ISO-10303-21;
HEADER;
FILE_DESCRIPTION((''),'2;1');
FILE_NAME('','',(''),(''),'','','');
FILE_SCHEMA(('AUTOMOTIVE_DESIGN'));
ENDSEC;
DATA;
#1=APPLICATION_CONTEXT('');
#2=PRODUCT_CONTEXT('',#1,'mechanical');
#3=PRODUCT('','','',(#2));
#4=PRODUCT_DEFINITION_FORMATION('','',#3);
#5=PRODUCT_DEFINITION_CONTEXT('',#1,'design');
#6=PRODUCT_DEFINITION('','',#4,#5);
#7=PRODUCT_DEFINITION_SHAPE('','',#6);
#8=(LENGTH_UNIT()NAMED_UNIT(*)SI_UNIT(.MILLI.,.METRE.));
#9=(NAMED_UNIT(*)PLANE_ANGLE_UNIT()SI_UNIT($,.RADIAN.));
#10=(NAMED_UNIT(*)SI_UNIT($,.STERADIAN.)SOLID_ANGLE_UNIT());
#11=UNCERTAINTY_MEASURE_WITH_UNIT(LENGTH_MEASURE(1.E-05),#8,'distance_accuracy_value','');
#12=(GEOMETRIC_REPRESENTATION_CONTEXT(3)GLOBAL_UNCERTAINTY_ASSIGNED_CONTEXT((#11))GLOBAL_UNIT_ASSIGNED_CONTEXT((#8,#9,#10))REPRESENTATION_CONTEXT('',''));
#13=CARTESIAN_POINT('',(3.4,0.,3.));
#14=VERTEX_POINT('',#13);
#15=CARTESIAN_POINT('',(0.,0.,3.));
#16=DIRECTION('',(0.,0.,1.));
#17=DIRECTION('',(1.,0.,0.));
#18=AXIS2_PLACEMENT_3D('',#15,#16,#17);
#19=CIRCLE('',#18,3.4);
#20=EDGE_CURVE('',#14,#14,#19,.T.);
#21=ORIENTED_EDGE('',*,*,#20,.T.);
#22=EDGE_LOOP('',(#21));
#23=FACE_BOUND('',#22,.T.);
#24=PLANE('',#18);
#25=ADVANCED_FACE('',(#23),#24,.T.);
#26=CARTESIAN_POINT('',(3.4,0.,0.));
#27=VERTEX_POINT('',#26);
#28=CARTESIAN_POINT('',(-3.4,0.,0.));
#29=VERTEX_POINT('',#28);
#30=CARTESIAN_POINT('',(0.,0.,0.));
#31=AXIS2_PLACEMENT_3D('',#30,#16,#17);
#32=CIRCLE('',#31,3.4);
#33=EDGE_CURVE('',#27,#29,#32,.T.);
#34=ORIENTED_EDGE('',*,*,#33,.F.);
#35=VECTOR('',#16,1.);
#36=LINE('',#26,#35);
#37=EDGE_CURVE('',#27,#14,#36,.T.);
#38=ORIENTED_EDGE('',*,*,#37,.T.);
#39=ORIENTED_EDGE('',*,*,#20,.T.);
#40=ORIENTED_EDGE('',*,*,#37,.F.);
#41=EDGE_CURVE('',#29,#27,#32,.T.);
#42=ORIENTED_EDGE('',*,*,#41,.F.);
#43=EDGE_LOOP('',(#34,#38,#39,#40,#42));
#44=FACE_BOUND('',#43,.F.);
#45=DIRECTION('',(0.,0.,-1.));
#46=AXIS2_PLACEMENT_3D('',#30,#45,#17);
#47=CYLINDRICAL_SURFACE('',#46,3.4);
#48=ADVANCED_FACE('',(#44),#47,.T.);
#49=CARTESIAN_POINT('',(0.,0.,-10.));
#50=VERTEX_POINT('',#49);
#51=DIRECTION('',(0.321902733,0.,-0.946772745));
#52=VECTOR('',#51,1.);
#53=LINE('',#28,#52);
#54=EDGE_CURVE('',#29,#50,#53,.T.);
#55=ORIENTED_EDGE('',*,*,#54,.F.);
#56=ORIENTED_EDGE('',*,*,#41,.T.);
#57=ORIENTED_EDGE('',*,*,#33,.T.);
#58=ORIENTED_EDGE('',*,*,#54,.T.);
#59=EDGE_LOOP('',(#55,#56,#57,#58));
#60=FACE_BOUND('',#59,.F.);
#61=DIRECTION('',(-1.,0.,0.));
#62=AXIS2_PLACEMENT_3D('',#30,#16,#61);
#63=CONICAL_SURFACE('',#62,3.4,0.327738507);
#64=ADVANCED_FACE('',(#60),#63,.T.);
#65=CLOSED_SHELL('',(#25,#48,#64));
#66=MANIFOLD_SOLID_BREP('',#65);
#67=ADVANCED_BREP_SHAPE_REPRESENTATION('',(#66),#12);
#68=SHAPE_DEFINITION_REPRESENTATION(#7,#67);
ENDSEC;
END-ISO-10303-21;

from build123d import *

# Parameters (mm, degrees)
F0_R     = 3.4
F1_DEPTH = 3


with BuildPart() as f1:
    # F0 (on Top) → F1 (new body)
    with BuildSketch(Plane.XY):
        Circle(F0_R)
    extrude(amount=F1_DEPTH)

    # F2 (on Front) → F3 (revolve)
    with BuildSketch(Plane.XZ):
        Polygon((0, 0), (-3.4, 0), (0, -10), align=None)
    revolve(axis=Axis((0, 0, -5), (0, 0, 1)))


solid = f1.part
